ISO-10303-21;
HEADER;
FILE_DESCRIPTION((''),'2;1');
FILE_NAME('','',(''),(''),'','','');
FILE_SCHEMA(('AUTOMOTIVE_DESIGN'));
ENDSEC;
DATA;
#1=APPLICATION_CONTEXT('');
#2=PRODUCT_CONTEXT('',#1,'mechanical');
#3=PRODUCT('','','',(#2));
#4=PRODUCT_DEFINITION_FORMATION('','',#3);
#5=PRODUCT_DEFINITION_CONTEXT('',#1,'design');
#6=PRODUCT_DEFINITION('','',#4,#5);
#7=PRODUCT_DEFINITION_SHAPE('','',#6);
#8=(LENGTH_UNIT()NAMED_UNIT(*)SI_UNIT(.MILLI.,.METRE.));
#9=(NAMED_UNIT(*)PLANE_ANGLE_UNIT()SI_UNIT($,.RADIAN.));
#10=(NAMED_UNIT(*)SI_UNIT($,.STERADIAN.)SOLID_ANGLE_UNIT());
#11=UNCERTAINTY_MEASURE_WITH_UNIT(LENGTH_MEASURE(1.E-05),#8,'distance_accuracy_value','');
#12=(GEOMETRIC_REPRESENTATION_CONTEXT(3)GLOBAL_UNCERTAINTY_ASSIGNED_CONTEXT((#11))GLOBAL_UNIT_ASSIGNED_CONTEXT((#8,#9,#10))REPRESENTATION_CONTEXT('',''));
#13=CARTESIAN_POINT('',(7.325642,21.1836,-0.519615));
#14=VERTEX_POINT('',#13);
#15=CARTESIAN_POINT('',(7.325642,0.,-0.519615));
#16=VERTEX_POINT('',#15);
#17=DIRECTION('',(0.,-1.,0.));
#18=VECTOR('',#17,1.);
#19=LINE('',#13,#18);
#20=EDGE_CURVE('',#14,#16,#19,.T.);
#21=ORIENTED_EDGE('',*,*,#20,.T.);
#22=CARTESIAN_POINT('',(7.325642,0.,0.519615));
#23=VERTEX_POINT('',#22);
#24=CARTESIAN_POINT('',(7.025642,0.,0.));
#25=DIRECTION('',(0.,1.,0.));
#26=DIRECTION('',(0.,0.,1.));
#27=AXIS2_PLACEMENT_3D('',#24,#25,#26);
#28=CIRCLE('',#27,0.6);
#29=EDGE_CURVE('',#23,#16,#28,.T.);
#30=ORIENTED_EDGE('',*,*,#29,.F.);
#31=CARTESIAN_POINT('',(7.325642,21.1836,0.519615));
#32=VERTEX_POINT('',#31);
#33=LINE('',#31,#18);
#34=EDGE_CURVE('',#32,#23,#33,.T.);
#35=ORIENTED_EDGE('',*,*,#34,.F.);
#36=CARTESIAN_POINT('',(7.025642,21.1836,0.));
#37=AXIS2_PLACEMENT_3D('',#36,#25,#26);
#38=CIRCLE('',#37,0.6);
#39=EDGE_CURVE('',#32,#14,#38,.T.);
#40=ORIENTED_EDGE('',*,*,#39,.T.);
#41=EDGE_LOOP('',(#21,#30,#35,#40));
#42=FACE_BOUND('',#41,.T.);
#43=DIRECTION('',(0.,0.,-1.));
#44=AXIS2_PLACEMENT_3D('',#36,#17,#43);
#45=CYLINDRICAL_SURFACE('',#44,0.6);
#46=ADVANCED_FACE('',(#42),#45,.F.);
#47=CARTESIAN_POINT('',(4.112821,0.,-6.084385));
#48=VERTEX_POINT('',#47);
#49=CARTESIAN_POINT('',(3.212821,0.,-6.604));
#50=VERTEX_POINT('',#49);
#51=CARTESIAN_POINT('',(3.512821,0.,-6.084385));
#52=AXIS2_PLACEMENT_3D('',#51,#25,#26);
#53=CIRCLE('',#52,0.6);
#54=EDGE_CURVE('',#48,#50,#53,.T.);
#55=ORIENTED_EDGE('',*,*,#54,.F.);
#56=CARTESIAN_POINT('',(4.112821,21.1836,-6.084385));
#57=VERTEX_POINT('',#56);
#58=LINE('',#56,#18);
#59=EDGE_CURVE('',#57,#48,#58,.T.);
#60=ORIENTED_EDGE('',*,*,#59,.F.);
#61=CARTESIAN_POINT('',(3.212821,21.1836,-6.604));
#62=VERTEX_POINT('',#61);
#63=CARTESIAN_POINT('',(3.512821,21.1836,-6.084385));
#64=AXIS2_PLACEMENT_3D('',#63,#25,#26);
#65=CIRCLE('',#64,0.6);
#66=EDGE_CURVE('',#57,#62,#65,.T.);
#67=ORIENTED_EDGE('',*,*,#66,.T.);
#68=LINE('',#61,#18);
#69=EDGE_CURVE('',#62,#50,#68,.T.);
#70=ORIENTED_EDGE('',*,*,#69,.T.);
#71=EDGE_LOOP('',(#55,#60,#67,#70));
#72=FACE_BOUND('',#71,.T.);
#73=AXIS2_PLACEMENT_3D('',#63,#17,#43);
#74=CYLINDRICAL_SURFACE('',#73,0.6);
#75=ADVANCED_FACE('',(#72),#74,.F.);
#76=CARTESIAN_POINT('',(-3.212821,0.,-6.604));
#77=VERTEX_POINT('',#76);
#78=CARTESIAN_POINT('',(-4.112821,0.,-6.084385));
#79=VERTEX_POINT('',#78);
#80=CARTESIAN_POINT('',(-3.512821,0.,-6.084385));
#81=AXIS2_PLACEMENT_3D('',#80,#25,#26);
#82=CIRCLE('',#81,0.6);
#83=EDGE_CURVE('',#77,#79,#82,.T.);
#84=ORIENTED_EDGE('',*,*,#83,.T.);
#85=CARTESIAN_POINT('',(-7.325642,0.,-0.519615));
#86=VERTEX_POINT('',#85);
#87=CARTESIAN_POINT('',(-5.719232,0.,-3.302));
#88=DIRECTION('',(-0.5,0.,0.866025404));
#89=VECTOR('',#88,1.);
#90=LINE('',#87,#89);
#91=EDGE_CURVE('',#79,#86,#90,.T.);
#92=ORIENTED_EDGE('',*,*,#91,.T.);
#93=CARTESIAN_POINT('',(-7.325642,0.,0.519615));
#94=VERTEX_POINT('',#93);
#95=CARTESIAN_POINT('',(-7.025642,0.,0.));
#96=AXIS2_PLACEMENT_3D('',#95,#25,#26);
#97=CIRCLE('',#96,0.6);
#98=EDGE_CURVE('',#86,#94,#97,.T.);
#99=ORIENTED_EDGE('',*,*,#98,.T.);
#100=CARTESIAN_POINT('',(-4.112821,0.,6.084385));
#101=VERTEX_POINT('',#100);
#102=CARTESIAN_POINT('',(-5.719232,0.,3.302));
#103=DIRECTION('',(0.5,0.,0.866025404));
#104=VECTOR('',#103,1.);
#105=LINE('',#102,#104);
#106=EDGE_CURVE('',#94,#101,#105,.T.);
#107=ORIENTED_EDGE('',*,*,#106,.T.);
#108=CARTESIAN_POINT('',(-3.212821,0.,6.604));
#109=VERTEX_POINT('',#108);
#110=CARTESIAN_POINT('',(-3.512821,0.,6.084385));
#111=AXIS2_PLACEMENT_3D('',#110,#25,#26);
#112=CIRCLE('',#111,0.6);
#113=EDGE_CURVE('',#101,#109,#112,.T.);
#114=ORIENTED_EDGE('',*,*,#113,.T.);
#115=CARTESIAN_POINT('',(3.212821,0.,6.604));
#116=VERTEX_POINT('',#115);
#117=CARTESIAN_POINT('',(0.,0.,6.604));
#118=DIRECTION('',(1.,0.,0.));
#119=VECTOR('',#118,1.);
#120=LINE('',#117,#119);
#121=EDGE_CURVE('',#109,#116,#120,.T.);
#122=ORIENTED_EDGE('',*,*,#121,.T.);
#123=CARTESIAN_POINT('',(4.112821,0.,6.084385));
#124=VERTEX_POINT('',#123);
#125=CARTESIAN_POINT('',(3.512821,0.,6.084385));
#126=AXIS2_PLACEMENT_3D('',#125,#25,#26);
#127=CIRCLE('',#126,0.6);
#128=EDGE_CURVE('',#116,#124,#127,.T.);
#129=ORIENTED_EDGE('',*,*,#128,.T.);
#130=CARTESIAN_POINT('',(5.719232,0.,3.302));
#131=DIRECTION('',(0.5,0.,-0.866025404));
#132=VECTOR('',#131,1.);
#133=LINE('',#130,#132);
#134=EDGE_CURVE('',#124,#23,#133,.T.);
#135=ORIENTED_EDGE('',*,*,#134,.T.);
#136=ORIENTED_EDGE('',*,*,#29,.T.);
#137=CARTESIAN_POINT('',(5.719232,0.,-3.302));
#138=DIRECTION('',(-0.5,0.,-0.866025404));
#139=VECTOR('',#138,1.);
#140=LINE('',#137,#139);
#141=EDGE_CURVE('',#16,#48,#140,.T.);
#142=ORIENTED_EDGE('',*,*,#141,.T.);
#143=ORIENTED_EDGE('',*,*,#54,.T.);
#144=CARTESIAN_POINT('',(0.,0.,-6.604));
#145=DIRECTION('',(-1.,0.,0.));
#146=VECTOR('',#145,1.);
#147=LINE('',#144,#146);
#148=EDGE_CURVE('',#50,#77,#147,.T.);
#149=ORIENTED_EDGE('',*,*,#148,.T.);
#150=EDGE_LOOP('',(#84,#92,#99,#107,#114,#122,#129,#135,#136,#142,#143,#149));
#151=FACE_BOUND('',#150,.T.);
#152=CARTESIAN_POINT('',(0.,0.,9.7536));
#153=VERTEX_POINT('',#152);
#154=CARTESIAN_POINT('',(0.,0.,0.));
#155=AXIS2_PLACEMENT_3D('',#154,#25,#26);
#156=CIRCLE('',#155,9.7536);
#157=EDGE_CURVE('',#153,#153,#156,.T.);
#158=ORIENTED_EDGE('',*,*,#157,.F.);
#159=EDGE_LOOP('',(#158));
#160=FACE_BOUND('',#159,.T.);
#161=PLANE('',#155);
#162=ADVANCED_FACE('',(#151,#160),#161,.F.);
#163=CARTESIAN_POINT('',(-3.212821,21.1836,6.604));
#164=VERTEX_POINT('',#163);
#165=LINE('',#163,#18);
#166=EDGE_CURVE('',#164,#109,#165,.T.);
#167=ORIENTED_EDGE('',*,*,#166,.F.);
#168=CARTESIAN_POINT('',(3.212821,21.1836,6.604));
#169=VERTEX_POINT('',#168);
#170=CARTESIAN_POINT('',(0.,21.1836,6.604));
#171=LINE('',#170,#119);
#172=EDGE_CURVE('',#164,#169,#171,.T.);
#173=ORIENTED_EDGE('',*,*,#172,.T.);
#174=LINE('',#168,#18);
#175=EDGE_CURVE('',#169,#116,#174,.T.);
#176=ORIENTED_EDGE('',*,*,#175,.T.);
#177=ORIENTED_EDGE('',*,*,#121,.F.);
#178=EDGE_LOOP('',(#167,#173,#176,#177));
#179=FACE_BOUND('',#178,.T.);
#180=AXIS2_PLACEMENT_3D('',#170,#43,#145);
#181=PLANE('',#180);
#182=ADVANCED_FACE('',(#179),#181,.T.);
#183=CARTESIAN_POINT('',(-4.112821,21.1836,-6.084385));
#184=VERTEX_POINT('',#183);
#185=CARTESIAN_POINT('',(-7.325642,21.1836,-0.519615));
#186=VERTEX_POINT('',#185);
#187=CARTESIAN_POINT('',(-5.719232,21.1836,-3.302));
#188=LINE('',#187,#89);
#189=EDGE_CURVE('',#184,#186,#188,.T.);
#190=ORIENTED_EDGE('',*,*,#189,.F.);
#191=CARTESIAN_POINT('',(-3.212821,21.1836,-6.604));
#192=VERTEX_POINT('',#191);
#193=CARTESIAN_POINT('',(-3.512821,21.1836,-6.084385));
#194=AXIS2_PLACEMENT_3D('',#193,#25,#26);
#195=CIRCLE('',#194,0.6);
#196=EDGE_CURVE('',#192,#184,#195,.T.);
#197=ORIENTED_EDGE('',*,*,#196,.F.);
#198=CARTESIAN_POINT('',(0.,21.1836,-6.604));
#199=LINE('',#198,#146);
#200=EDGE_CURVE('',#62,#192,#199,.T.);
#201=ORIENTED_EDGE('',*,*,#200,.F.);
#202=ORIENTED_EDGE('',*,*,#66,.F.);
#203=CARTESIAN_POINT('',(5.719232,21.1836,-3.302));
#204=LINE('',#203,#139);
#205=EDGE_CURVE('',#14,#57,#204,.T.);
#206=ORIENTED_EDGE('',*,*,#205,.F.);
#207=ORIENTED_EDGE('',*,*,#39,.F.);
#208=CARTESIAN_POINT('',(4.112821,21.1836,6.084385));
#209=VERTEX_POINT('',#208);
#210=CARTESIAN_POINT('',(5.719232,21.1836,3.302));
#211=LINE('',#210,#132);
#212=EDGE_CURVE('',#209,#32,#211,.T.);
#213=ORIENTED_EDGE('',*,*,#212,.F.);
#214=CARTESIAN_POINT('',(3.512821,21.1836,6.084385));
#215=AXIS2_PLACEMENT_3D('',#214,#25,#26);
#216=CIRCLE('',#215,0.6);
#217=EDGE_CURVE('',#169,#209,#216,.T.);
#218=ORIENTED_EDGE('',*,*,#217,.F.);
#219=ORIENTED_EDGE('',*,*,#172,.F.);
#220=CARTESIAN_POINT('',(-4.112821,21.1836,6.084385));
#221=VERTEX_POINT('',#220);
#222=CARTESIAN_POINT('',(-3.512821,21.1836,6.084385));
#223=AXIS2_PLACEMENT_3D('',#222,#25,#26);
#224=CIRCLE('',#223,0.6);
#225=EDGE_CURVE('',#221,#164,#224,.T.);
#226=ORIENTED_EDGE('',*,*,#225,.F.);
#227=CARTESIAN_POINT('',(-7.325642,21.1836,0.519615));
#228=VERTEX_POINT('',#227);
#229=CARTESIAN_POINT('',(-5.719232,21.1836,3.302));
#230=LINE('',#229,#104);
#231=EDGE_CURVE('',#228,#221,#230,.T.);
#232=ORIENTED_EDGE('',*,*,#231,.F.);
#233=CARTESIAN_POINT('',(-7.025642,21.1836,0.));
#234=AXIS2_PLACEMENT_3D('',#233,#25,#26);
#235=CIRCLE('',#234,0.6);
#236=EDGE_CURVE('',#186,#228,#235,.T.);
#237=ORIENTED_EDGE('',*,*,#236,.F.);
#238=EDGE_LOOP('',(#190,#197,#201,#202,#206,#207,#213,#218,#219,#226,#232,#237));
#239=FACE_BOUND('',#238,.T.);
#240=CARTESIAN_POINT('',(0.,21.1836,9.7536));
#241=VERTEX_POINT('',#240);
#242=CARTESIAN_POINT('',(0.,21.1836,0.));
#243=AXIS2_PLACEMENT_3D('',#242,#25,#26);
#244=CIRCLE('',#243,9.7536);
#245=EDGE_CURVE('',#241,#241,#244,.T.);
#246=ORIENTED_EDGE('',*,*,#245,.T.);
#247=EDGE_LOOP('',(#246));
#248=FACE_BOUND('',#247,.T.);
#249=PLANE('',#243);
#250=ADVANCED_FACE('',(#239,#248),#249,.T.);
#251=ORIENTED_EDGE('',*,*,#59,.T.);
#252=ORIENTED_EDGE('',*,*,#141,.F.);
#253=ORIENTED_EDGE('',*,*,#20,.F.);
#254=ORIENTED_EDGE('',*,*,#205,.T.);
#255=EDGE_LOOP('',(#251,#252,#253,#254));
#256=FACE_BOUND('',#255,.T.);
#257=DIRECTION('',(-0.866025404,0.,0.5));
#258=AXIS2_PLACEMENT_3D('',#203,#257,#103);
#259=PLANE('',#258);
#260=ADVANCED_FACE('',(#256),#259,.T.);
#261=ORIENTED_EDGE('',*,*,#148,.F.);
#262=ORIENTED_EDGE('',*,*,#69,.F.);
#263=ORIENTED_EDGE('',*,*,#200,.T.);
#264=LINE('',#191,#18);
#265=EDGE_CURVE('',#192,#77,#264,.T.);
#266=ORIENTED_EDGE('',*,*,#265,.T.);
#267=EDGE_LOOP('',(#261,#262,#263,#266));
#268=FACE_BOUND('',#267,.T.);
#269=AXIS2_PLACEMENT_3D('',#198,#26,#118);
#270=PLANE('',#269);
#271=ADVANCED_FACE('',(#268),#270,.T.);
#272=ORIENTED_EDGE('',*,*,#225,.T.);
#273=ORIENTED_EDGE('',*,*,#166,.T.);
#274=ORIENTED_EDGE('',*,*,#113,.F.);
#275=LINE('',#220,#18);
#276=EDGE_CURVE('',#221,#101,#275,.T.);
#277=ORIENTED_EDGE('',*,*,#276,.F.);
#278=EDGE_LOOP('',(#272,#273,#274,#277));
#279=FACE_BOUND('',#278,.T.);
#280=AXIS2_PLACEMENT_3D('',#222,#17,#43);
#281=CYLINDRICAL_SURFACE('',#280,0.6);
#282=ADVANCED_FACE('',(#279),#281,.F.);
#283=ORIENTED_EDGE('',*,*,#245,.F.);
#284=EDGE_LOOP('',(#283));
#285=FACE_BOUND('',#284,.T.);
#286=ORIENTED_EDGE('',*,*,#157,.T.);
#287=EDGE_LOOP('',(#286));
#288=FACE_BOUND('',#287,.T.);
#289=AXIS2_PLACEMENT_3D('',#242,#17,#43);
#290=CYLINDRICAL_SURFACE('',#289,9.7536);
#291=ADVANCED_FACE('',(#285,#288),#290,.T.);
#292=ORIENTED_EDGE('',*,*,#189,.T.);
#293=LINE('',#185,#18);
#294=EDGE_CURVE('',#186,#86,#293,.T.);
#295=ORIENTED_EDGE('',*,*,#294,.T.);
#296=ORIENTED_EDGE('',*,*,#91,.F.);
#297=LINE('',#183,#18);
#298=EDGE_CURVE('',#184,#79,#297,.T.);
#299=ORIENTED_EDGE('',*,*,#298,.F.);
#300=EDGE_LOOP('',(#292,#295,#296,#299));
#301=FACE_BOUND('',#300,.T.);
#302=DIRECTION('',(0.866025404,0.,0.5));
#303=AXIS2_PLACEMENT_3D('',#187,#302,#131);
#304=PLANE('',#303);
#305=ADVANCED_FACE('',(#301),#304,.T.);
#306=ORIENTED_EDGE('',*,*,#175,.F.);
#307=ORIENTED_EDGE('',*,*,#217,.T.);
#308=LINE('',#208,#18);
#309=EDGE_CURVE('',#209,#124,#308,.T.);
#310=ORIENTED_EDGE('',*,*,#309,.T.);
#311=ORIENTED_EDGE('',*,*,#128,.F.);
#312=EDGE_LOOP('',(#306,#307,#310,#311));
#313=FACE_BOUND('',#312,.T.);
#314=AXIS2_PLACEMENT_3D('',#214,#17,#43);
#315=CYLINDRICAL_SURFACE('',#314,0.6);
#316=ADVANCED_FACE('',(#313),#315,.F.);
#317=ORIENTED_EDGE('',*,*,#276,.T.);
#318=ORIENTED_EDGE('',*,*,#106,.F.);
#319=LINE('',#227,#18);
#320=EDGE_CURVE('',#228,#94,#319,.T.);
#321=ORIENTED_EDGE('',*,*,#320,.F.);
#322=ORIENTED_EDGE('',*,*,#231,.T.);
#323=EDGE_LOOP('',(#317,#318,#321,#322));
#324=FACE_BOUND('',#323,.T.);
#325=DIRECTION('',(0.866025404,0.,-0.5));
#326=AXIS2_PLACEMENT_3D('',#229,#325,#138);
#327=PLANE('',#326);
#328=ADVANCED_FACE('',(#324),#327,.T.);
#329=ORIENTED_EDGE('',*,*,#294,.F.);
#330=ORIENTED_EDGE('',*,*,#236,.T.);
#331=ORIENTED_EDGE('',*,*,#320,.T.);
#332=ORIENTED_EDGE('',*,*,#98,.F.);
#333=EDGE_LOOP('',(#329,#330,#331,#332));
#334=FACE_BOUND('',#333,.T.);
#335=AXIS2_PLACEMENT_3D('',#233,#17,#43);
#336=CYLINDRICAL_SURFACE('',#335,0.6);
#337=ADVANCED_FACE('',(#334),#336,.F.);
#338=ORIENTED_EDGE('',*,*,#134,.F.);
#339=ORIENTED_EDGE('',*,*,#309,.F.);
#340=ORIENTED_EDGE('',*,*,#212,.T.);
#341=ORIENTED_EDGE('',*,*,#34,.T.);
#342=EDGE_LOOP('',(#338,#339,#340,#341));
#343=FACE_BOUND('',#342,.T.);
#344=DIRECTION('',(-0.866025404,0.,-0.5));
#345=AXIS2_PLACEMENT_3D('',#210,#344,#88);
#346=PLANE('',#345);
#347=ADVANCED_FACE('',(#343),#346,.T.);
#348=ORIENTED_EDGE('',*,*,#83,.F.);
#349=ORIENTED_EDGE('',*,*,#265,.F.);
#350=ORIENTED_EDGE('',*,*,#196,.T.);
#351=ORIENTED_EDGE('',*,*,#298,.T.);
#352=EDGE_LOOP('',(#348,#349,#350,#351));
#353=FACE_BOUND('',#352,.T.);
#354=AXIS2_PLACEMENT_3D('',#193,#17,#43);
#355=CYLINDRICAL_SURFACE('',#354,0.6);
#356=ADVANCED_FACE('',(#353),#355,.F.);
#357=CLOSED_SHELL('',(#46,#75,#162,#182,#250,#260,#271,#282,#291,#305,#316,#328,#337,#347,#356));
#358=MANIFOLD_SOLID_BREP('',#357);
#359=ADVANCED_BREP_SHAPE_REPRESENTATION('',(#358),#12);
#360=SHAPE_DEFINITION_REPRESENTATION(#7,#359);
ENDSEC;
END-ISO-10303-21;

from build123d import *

# Parameters (mm, degrees)
SKETCH1_R           = 9.7536
BOSS_EXTRUDE1_DEPTH = 21.1836


with BuildPart() as part:
    # Sketch1 → Boss-Extrude1 (new body)
    with BuildSketch(Plane(origin=(0, 0, 0), x_dir=(1, 0, 0), z_dir=(0, 1, 0))):
        with Locations(Location((0, 0, 0), (0, 0, 270))):
            Circle(SKETCH1_R)
        with BuildLine():
            ThreePointArc((3.812821178, 6.604), (4.03243642, 6.384384758), (4.112821178, 6.084384758))
            Line((4.112821178, 6.084384758), (7.325642355, 0.519615242))
            ThreePointArc((7.325642355, 0.519615242), (7.545257598, 0.3), (7.625642355, 0))
            ThreePointArc((7.625642355, 0), (7.545257598, -0.3), (7.325642355, -0.519615242))
            Line((7.325642355, -0.519615242), (4.112821178, -6.084384758))
            ThreePointArc((4.112821178, -6.084384758), (4.03243642, -6.384384758), (3.812821178, -6.604))
            ThreePointArc((3.812821178, -6.604), (3.512821178, -6.684384758), (3.212821178, -6.604))
            Line((3.212821178, -6.604), (-3.212821178, -6.604))
            ThreePointArc((-3.212821178, -6.604), (-3.512821178, -6.684384758), (-3.812821178, -6.604))
            ThreePointArc((-3.812821178, -6.604), (-4.03243642, -6.384384758), (-4.112821178, -6.084384758))
            Line((-4.112821178, -6.084384758), (-7.325642355, -0.519615242))
            ThreePointArc((-7.325642355, -0.519615242), (-7.545257598, -0.3), (-7.625642355, 0))
            ThreePointArc((-7.625642355, 0), (-7.545257598, 0.3), (-7.325642355, 0.519615242))
            Line((-7.325642355, 0.519615242), (-4.112821178, 6.084384758))
            ThreePointArc((-4.112821178, 6.084384758), (-4.03243642, 6.384384758), (-3.812821178, 6.604))
            ThreePointArc((-3.812821178, 6.604), (-3.512821178, 6.684384758), (-3.212821178, 6.604))
            Line((-3.212821178, 6.604), (3.212821178, 6.604))
            ThreePointArc((3.212821178, 6.604), (3.512821178, 6.684384758), (3.812821178, 6.604))
        make_face(mode=Mode.SUBTRACT)
    extrude(amount=BOSS_EXTRUDE1_DEPTH)


solid = part.part
